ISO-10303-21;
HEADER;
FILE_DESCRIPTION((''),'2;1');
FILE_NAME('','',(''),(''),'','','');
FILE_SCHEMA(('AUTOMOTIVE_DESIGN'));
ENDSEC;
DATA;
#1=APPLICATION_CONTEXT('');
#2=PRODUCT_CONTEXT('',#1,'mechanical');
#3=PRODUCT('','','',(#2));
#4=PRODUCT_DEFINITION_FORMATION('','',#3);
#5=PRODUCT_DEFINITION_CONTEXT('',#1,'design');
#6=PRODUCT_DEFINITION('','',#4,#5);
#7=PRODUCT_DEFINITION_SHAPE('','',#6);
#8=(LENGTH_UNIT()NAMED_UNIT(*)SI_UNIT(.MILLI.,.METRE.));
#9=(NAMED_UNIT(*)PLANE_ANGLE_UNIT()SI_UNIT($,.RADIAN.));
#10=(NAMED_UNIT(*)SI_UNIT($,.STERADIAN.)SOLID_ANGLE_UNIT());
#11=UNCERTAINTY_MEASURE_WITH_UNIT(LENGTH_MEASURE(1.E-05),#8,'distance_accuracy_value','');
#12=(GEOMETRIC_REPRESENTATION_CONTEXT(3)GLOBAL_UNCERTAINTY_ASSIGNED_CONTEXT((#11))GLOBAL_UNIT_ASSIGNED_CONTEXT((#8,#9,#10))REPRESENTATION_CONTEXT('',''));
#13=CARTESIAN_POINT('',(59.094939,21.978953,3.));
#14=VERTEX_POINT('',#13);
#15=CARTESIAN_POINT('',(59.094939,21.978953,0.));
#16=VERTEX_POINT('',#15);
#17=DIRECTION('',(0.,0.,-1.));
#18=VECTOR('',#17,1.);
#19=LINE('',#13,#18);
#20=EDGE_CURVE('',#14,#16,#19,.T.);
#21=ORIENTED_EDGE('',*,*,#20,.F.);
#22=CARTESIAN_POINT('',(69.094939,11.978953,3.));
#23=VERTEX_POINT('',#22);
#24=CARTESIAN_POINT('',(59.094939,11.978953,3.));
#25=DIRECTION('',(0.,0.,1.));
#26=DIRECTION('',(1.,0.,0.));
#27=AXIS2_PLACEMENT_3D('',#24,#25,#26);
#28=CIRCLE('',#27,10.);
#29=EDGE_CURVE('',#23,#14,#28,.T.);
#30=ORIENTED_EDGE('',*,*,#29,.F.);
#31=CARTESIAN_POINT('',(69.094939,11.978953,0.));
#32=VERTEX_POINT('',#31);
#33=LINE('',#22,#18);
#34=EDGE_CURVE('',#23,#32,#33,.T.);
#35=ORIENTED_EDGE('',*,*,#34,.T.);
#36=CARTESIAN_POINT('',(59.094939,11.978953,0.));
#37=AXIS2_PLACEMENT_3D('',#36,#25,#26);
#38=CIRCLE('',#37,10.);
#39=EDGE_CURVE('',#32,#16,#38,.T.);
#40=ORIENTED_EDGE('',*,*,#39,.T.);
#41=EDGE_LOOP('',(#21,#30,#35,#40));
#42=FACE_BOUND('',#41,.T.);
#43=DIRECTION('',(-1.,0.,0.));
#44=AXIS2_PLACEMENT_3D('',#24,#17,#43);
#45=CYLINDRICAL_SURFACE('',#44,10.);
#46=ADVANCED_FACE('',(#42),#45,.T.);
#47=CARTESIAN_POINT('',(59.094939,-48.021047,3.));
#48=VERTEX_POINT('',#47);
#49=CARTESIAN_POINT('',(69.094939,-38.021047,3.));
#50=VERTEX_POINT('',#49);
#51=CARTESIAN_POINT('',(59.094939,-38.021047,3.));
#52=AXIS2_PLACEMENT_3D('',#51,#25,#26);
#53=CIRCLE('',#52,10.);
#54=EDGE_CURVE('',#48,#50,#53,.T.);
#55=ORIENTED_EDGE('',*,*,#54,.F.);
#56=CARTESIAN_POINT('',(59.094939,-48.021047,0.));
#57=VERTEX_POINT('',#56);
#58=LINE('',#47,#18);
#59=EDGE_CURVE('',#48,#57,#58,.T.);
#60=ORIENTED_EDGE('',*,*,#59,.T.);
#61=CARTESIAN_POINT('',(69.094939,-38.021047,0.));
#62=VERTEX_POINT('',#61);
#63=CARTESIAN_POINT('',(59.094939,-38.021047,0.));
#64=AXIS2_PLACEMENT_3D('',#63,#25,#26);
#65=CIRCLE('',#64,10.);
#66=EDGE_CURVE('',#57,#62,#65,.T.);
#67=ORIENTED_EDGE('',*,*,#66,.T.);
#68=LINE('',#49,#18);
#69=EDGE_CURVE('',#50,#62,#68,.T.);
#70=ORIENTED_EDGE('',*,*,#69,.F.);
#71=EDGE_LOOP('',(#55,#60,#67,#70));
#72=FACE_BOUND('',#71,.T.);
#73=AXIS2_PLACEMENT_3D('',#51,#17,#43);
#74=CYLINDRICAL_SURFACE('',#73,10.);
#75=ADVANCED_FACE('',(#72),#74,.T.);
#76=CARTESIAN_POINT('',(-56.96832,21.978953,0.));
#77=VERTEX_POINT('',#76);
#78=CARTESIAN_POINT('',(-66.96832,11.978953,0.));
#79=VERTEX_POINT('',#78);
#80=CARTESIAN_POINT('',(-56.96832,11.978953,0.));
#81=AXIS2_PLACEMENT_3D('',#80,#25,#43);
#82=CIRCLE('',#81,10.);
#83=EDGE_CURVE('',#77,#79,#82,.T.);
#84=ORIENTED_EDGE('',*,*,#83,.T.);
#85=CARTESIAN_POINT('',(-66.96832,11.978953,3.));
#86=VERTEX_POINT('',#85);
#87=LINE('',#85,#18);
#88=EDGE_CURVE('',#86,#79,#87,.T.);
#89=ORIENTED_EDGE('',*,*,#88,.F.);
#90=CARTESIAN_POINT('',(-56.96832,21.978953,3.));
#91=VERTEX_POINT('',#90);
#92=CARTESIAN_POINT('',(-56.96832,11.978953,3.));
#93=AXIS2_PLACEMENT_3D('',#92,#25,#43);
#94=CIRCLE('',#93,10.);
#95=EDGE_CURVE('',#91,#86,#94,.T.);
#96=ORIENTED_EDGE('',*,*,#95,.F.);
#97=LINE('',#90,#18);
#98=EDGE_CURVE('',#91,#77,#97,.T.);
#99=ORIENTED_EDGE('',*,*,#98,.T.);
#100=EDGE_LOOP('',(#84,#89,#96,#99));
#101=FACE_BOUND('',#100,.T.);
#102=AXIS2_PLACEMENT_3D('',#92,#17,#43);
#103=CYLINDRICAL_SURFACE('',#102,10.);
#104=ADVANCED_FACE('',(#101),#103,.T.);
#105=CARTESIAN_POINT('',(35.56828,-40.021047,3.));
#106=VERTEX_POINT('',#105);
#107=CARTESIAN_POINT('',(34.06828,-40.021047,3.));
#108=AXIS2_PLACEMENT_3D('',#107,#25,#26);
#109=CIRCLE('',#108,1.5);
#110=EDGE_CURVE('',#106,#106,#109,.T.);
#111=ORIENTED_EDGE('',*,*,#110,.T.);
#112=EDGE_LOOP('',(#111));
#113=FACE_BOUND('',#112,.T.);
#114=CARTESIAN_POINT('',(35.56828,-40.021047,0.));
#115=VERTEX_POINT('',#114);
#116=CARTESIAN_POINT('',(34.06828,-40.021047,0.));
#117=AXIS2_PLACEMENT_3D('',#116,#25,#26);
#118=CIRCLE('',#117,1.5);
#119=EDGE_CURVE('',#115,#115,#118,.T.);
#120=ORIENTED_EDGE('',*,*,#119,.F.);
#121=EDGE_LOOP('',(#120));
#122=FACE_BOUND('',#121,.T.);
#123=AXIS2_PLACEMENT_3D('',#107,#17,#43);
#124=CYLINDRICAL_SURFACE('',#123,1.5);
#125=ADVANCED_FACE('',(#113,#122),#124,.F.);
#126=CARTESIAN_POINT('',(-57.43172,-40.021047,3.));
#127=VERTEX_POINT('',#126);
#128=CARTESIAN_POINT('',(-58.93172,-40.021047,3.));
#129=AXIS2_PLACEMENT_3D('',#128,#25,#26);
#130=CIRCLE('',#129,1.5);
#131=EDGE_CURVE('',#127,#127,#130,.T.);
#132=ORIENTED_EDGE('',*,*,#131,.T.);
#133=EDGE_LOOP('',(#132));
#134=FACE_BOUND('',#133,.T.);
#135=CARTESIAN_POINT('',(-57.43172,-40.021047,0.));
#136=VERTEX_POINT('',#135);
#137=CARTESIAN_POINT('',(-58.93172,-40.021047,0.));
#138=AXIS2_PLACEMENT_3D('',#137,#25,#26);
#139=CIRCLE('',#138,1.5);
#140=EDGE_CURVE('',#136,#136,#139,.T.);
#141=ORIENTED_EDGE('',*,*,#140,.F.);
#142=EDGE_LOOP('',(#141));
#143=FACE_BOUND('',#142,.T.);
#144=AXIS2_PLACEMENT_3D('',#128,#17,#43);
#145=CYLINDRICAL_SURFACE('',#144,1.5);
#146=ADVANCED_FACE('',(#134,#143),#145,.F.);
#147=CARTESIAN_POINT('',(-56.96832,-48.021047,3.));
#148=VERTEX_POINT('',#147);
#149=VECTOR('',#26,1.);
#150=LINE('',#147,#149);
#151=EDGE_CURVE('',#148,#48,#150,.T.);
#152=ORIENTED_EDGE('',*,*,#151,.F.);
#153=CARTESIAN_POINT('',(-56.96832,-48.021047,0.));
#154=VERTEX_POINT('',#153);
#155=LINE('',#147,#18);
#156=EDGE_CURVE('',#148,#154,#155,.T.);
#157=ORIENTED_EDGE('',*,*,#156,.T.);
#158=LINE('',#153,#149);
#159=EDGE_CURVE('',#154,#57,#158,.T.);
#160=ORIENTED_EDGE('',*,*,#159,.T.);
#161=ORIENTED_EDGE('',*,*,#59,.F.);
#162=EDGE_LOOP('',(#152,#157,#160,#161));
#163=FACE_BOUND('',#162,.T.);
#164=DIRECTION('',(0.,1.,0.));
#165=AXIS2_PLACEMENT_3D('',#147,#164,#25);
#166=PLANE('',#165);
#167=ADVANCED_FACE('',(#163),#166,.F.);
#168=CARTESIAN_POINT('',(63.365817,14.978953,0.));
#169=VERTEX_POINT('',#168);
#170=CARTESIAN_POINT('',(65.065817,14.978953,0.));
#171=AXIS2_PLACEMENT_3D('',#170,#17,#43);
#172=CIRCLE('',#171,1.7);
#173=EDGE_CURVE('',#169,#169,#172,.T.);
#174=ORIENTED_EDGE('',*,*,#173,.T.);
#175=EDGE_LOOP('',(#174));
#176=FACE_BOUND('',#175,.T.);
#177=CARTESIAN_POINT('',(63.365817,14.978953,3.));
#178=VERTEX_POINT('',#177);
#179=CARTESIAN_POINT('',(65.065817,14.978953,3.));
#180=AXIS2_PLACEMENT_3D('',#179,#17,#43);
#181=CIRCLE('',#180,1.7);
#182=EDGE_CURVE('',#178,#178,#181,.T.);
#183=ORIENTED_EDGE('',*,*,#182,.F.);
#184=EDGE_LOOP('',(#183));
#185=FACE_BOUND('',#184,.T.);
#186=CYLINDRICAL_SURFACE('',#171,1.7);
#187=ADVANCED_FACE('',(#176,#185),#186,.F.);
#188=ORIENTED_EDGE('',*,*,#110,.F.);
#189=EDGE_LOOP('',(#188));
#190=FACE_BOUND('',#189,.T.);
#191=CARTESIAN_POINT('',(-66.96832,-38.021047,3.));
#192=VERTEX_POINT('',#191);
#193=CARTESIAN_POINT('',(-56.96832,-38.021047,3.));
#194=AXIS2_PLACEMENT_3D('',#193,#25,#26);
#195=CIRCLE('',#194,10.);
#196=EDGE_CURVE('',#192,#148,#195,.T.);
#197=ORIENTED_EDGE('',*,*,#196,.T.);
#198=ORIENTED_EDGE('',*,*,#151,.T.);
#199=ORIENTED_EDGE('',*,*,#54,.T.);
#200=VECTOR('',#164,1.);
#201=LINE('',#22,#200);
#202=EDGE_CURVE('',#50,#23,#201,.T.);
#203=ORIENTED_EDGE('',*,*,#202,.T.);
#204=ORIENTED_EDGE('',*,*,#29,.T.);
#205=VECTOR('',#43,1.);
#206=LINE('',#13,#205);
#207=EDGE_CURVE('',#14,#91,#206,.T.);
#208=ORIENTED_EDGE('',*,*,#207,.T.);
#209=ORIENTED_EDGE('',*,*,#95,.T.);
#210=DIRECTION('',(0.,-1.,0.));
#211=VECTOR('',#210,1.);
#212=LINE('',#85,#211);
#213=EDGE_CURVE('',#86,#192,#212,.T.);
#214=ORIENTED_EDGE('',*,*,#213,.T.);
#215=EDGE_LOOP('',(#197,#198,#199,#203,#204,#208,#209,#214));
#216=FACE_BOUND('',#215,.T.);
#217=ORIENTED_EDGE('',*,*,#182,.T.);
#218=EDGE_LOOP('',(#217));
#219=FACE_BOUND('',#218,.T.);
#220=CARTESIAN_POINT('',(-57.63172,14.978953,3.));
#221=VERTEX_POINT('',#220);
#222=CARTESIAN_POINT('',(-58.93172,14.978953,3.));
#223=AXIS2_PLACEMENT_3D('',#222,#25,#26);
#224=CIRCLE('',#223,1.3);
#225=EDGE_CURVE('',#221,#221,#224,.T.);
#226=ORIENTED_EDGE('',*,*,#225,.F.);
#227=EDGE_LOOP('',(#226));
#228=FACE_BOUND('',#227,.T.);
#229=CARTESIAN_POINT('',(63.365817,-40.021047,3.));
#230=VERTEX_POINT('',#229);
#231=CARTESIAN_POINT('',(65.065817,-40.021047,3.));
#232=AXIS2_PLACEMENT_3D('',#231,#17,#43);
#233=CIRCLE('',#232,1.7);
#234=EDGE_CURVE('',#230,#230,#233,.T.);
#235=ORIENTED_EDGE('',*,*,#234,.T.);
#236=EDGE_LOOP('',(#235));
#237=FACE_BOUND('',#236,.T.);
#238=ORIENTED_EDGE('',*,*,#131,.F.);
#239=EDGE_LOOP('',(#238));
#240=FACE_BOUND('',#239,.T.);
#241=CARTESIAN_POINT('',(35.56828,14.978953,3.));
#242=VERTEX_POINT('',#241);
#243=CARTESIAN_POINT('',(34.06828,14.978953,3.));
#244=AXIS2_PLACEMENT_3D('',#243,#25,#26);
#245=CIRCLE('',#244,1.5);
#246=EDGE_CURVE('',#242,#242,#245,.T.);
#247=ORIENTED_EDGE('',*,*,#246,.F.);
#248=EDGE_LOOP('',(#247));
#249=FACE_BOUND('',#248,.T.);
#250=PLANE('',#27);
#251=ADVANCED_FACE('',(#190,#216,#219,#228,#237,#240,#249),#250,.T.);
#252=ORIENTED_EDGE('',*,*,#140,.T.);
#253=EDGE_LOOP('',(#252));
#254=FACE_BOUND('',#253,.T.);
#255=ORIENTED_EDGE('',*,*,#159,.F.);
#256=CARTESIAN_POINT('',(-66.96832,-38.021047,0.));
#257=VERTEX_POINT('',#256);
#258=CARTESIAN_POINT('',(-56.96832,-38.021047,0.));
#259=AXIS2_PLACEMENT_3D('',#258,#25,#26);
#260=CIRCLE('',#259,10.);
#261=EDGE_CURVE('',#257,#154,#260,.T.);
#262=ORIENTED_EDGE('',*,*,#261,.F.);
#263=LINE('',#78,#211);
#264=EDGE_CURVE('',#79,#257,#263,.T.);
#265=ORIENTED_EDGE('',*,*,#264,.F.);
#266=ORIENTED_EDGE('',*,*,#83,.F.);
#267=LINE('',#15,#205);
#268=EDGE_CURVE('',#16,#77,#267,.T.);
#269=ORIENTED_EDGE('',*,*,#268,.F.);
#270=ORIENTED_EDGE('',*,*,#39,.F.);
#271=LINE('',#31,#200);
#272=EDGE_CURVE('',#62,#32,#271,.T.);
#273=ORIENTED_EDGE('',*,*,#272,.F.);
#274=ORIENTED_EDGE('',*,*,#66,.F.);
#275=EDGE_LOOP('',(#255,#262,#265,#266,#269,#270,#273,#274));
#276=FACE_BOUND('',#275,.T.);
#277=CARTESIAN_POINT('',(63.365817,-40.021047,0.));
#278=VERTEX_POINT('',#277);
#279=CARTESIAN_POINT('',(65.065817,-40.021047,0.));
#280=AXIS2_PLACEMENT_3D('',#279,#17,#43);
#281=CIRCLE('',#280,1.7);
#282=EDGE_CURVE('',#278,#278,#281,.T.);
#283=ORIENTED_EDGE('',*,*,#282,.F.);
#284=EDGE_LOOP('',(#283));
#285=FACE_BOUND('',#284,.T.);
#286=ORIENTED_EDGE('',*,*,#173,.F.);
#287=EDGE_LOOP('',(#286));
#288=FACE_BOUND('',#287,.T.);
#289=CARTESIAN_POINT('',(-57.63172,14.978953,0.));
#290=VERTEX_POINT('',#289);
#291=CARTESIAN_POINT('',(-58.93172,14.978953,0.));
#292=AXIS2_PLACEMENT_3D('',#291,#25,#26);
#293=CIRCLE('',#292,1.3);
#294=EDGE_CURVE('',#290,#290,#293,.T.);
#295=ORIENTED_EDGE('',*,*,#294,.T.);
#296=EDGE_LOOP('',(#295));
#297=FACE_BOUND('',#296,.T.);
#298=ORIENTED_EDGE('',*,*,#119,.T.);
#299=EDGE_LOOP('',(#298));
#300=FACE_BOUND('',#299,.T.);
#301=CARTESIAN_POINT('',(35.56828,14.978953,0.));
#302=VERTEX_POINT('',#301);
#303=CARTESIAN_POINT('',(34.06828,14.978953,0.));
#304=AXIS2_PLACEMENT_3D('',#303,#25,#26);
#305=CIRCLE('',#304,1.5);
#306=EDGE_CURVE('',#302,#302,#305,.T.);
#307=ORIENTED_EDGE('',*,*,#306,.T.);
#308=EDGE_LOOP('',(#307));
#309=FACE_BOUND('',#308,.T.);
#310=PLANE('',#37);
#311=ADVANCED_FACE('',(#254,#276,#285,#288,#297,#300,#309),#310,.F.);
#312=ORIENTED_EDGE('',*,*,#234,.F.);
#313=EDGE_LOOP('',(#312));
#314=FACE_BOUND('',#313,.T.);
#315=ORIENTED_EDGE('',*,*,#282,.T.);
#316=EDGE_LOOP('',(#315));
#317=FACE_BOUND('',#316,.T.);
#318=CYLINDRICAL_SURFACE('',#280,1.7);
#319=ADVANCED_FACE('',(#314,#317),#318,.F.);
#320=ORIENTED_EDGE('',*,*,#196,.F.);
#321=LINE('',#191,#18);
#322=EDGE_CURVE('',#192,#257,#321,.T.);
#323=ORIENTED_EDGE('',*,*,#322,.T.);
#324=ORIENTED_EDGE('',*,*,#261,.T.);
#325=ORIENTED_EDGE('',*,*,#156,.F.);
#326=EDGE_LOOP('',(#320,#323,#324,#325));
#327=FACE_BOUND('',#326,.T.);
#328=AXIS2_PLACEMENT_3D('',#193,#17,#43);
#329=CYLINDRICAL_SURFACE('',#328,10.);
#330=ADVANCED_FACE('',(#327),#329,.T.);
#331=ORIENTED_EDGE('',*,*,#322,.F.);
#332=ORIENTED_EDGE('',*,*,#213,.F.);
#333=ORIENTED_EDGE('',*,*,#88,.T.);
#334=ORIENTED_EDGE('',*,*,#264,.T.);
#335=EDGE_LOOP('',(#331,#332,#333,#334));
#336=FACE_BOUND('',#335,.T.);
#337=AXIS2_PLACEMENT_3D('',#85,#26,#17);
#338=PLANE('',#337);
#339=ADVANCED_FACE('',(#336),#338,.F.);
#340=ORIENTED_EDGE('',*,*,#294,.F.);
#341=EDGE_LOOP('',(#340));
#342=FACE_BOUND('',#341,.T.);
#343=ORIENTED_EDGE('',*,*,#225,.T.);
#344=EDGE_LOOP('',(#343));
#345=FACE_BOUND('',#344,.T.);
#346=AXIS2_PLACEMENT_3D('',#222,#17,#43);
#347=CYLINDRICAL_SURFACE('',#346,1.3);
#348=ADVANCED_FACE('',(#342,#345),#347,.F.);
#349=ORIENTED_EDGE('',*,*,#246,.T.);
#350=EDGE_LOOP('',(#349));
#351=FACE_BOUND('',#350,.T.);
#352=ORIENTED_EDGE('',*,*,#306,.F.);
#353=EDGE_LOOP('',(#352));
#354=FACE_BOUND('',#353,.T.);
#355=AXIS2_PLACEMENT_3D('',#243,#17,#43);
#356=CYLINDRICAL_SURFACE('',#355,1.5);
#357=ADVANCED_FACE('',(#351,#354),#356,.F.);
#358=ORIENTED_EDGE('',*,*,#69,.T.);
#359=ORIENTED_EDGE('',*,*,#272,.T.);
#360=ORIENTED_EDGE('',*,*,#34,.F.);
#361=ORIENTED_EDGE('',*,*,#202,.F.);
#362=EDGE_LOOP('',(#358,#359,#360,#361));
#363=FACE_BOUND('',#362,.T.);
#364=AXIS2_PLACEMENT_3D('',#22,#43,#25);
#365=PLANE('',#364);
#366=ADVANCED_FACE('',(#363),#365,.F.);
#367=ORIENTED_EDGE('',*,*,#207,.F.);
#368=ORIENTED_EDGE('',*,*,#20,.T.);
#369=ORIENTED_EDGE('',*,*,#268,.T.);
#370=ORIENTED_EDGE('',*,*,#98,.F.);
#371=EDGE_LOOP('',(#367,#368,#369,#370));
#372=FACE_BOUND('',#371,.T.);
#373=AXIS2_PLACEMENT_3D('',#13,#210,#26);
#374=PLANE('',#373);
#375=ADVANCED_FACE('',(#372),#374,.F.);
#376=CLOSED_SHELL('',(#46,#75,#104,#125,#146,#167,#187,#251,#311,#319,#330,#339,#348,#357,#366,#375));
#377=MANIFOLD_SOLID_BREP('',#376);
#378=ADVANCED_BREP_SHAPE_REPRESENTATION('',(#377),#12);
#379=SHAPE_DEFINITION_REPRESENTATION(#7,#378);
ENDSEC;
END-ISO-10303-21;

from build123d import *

# Parameters (mm, degrees)
SKETCH1_R            = 1.3
SKETCH1_R_2          = 1.5
BOSS_EXTRUDE1_DEPTH  = 3
M3_CLEARANCE_HOLE1_D = 3.4


with BuildPart() as part:
    # Sketch1 → Boss-Extrude1 (new body)
    with BuildSketch(Plane.XY):
        with BuildLine():
            Line((-66.968320128, 11.978952762), (-66.968320128, -38.021047238))
            ThreePointArc((-66.968320128, -38.021047238), (-64.039387939, -45.09211505), (-56.968320128, -48.021047238))
            Line((-56.968320128, -48.021047238), (59.094938721, -48.021047238))
            ThreePointArc((59.094938721, -48.021047238), (66.166006532, -45.09211505), (69.094938721, -38.021047238))
            Line((69.094938721, -38.021047238), (69.094938721, 11.978952762))
            ThreePointArc((69.094938721, 11.978952762), (66.166006532, 19.050020574), (59.094938721, 21.978952762))
            Line((59.094938721, 21.978952762), (-56.968320128, 21.978952762))
            ThreePointArc((-56.968320128, 21.978952762), (-64.039387939, 19.050020574), (-66.968320128, 11.978952762))
        make_face()
        with Locations((-58.93171984, 14.978952762)):
            Circle(SKETCH1_R, mode=Mode.SUBTRACT)
        with Locations((34.06828016, 14.978952762)):
            Circle(SKETCH1_R_2, mode=Mode.SUBTRACT)
        with Locations((34.06828016, -40.021047238)):
            Circle(SKETCH1_R_2, mode=Mode.SUBTRACT)
        with Locations((-58.93171984, -40.021047238)):
            Circle(SKETCH1_R_2, mode=Mode.SUBTRACT)
    extrude(amount=BOSS_EXTRUDE1_DEPTH)

    # M3 Clearance Hole1 (through all)
    with Locations(Plane(origin=(0, 0, 0), x_dir=(-1, 0, 0), z_dir=(0, 0, -1))):
        with Locations((-65.065816686, -40.021047238), (-65.065816686, 14.978952762)):
            Hole(M3_CLEARANCE_HOLE1_D / 2)


solid = part.part
